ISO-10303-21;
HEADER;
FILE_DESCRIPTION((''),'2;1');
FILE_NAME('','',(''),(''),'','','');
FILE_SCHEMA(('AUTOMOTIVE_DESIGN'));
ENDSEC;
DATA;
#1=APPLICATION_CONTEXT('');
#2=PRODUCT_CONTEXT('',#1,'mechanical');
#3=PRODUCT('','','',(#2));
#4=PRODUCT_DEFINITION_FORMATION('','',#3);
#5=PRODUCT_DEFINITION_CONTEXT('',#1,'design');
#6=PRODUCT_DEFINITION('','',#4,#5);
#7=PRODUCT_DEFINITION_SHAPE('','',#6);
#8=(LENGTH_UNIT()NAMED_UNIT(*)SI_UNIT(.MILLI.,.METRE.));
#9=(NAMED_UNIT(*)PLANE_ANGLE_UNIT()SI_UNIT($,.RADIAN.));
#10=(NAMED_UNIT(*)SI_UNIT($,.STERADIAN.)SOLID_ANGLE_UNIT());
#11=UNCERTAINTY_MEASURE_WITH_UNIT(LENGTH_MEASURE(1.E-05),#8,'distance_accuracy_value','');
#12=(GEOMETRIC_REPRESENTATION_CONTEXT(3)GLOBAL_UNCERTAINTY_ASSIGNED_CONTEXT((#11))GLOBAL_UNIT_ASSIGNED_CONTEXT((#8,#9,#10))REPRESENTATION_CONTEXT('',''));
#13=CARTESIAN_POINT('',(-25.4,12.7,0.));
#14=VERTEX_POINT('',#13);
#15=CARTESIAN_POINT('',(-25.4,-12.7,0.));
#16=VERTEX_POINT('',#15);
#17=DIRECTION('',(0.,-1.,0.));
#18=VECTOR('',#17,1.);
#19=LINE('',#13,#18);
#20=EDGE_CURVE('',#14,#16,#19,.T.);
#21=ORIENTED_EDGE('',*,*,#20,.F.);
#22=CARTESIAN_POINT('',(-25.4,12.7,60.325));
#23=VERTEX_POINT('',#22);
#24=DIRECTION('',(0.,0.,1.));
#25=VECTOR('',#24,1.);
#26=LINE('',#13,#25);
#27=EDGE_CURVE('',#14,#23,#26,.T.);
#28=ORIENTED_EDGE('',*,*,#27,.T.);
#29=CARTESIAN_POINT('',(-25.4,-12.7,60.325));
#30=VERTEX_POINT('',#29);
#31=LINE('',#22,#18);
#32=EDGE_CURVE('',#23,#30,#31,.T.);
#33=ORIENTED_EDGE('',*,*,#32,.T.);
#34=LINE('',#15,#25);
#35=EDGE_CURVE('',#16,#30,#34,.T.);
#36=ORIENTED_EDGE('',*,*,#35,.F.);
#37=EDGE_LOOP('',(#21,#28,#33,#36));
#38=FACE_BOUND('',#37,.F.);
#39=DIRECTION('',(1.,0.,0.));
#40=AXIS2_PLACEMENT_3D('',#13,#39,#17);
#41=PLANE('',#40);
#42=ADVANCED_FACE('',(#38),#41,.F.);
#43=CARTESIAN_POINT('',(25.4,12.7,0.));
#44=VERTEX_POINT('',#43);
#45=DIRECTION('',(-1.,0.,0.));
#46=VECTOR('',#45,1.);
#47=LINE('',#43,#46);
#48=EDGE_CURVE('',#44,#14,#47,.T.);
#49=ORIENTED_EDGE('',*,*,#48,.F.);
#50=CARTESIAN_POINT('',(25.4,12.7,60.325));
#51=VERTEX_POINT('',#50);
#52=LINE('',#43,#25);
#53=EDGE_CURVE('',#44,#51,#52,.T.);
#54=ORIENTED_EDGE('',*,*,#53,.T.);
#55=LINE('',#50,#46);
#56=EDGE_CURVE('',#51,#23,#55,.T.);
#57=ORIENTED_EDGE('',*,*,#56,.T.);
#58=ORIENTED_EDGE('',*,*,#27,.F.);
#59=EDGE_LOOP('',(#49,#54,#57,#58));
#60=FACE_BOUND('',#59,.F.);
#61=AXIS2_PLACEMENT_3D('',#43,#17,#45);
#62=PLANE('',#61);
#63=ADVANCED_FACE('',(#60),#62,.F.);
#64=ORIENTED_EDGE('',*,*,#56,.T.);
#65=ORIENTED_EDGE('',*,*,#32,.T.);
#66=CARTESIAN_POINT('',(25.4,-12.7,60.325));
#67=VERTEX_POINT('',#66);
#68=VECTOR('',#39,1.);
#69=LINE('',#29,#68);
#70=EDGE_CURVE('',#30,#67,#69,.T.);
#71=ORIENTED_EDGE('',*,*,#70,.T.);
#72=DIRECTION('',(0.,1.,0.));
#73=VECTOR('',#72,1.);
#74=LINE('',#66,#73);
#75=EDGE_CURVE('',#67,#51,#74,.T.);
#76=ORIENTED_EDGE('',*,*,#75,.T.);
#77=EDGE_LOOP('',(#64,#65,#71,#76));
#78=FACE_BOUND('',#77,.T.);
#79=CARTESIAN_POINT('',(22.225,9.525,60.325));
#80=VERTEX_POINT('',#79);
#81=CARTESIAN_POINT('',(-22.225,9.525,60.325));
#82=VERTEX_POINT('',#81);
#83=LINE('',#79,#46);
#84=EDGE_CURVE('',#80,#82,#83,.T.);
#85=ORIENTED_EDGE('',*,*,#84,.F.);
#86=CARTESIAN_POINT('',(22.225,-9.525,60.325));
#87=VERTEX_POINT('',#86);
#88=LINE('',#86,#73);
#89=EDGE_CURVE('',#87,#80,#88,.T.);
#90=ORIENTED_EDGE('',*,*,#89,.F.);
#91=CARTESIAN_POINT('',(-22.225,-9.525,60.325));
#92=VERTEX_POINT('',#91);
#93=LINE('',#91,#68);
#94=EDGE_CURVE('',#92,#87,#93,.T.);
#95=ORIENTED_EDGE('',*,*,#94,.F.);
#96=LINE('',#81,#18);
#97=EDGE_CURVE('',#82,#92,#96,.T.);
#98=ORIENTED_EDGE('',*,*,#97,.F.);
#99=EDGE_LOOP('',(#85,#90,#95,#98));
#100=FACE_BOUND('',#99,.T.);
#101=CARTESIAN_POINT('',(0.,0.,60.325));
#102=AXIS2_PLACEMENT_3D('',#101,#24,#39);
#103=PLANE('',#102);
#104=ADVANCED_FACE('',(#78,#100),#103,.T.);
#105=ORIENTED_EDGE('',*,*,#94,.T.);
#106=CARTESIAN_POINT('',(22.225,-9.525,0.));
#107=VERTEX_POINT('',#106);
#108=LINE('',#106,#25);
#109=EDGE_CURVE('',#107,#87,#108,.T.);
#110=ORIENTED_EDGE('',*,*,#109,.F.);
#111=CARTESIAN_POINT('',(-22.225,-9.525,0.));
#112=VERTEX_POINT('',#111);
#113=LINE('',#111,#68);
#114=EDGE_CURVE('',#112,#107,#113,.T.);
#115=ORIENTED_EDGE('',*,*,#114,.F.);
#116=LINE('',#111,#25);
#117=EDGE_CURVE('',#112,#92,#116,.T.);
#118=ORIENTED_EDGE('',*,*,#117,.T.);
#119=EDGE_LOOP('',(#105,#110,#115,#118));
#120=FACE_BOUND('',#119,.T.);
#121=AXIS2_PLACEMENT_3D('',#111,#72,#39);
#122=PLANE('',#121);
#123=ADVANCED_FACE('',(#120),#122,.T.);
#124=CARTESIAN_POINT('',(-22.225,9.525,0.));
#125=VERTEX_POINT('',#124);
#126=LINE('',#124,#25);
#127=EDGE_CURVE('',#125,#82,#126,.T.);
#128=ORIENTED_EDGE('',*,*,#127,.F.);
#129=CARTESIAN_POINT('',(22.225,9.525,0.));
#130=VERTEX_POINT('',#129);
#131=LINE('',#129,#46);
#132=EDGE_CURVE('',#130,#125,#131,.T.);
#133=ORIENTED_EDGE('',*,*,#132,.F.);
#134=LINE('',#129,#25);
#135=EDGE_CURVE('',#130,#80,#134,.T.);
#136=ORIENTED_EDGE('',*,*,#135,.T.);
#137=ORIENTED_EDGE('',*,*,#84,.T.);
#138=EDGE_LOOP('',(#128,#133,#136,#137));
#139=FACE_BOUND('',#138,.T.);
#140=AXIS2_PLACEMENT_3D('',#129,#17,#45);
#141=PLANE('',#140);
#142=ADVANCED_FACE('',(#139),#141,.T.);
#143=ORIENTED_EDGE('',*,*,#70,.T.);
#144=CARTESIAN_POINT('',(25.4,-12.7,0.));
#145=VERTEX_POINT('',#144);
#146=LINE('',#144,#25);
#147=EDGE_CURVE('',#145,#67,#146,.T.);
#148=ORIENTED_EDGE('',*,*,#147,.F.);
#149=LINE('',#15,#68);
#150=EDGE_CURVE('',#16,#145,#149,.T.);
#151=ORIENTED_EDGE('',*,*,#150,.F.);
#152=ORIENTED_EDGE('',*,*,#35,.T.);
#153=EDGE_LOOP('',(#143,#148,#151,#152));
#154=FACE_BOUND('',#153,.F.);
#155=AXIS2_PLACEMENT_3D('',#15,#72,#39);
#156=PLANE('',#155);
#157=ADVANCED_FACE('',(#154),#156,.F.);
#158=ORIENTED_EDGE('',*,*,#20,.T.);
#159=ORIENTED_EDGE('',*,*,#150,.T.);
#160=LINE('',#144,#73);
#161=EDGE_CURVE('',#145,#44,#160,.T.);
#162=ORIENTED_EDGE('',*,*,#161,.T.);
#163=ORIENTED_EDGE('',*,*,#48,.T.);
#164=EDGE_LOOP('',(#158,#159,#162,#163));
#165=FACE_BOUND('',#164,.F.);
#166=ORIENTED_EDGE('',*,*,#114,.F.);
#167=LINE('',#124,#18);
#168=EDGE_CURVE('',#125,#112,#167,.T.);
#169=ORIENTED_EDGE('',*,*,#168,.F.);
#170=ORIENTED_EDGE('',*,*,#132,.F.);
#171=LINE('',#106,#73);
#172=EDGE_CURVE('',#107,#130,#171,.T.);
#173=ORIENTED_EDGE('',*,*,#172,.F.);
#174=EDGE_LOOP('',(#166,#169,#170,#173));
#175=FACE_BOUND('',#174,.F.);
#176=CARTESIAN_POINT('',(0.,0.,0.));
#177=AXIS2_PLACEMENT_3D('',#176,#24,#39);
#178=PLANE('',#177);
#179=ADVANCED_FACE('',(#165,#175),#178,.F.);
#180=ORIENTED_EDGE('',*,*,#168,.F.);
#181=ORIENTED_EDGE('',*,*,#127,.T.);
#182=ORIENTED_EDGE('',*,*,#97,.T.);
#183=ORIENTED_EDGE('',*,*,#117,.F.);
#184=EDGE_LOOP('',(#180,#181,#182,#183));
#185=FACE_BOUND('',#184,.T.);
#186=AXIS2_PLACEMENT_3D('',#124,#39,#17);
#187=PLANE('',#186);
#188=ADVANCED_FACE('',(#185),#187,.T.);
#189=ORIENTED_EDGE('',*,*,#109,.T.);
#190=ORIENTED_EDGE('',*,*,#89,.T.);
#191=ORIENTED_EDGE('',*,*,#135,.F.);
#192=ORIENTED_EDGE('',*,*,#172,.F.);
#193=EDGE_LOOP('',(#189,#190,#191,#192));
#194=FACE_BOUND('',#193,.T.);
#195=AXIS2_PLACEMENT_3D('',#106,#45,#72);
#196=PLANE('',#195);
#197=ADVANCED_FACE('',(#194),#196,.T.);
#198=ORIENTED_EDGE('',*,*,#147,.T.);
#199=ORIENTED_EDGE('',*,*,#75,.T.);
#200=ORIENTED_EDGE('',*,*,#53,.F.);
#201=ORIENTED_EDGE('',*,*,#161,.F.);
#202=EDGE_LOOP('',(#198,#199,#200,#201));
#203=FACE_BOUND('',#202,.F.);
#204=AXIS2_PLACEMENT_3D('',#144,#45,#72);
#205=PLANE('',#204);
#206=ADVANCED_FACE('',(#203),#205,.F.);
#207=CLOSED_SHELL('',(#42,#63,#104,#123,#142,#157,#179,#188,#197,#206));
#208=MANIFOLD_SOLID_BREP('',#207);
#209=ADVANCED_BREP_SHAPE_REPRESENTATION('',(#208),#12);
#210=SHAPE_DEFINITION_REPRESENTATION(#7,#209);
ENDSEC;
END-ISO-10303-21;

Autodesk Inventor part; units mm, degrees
ref_plane "Start Plane" through (0, 0, 0) normal (0, 0, 1) x (1, 0, 0)
ref_plane "End Plane" through (0, 0, 60.325) normal (0, 0, 1) x (1, 0, 0)
sketch "Sketch" plane through (0, 0, 0) normal (0, 0, 1) x (1, 0, 0)
  line L0 (-25.4, -12.7) -> (25.4, -12.7)
  line L1 (25.4, -12.7) -> (25.4, 12.7)
  line L2 (25.4, 12.7) -> (-25.4, 12.7)
  line L3 (-25.4, 12.7) -> (-25.4, -12.7)
  line L4 (-25.4, -12.7) -> (25.4, 12.7) construction
  line L5 (25.4, -12.7) -> (-25.4, 12.7) construction
  line L6 (-22.225, -9.525) -> (22.225, -9.525)
  line L7 (22.225, -9.525) -> (22.225, 9.525)
  line L8 (22.225, 9.525) -> (-22.225, 9.525)
  line L9 (-22.225, 9.525) -> (-22.225, -9.525)
  line L10 (-22.225, -9.525) -> (22.225, 9.525) construction
  line L11 (22.225, -9.525) -> (-22.225, 9.525) construction
  point P0 (0, 0)
  point P1 (0, 0)
  dimension "d0" = 50.8
  dimension "d1" = 25.4
  dimension "d2" = 3.175
  dimension "d3" = 3.175
extrude "Body" add sketch "Sketch" along normal up to surface (60.325 mm away) from surface at 0
sketch "Sketch4" plane through (0, 0, 0) normal (0, 0, 1) x (1, 0, 0)
  line L0 (0, 0) -> (10, 0)
ref_plane "Work Plane4" through (0, 0, 0) normal (0, -1, 0) x (1, 0, 0)
sketch "Sketch5" plane through (0, 0, 0) normal (0, -1, 0) x (1, 0, 0)
  line L0 (-2, 0) -> (12, 0)
  line L1 (-2, 60.325) -> (12, 60.325)
  dimension "d11" = 60.325
ref_plane "Work Plane5" through (-25.4, 203.2, 60.325) normal (0, 0, 1) x (1, 0, 0)
split "Split1" plane through (-25.4, 203.2, 60.325) removes the side toward (0, 0, 1)
equation "\"G_OFFSET_START\" = 0"
equation "\"G_OFFSET_END\" = -12.7"
equation "\"d7\" = length + G_OFFSET_END"
equation "\"G_L\" = d11"
equation "\"length\" = 73.025"
properties part number "2x1inTubing"
